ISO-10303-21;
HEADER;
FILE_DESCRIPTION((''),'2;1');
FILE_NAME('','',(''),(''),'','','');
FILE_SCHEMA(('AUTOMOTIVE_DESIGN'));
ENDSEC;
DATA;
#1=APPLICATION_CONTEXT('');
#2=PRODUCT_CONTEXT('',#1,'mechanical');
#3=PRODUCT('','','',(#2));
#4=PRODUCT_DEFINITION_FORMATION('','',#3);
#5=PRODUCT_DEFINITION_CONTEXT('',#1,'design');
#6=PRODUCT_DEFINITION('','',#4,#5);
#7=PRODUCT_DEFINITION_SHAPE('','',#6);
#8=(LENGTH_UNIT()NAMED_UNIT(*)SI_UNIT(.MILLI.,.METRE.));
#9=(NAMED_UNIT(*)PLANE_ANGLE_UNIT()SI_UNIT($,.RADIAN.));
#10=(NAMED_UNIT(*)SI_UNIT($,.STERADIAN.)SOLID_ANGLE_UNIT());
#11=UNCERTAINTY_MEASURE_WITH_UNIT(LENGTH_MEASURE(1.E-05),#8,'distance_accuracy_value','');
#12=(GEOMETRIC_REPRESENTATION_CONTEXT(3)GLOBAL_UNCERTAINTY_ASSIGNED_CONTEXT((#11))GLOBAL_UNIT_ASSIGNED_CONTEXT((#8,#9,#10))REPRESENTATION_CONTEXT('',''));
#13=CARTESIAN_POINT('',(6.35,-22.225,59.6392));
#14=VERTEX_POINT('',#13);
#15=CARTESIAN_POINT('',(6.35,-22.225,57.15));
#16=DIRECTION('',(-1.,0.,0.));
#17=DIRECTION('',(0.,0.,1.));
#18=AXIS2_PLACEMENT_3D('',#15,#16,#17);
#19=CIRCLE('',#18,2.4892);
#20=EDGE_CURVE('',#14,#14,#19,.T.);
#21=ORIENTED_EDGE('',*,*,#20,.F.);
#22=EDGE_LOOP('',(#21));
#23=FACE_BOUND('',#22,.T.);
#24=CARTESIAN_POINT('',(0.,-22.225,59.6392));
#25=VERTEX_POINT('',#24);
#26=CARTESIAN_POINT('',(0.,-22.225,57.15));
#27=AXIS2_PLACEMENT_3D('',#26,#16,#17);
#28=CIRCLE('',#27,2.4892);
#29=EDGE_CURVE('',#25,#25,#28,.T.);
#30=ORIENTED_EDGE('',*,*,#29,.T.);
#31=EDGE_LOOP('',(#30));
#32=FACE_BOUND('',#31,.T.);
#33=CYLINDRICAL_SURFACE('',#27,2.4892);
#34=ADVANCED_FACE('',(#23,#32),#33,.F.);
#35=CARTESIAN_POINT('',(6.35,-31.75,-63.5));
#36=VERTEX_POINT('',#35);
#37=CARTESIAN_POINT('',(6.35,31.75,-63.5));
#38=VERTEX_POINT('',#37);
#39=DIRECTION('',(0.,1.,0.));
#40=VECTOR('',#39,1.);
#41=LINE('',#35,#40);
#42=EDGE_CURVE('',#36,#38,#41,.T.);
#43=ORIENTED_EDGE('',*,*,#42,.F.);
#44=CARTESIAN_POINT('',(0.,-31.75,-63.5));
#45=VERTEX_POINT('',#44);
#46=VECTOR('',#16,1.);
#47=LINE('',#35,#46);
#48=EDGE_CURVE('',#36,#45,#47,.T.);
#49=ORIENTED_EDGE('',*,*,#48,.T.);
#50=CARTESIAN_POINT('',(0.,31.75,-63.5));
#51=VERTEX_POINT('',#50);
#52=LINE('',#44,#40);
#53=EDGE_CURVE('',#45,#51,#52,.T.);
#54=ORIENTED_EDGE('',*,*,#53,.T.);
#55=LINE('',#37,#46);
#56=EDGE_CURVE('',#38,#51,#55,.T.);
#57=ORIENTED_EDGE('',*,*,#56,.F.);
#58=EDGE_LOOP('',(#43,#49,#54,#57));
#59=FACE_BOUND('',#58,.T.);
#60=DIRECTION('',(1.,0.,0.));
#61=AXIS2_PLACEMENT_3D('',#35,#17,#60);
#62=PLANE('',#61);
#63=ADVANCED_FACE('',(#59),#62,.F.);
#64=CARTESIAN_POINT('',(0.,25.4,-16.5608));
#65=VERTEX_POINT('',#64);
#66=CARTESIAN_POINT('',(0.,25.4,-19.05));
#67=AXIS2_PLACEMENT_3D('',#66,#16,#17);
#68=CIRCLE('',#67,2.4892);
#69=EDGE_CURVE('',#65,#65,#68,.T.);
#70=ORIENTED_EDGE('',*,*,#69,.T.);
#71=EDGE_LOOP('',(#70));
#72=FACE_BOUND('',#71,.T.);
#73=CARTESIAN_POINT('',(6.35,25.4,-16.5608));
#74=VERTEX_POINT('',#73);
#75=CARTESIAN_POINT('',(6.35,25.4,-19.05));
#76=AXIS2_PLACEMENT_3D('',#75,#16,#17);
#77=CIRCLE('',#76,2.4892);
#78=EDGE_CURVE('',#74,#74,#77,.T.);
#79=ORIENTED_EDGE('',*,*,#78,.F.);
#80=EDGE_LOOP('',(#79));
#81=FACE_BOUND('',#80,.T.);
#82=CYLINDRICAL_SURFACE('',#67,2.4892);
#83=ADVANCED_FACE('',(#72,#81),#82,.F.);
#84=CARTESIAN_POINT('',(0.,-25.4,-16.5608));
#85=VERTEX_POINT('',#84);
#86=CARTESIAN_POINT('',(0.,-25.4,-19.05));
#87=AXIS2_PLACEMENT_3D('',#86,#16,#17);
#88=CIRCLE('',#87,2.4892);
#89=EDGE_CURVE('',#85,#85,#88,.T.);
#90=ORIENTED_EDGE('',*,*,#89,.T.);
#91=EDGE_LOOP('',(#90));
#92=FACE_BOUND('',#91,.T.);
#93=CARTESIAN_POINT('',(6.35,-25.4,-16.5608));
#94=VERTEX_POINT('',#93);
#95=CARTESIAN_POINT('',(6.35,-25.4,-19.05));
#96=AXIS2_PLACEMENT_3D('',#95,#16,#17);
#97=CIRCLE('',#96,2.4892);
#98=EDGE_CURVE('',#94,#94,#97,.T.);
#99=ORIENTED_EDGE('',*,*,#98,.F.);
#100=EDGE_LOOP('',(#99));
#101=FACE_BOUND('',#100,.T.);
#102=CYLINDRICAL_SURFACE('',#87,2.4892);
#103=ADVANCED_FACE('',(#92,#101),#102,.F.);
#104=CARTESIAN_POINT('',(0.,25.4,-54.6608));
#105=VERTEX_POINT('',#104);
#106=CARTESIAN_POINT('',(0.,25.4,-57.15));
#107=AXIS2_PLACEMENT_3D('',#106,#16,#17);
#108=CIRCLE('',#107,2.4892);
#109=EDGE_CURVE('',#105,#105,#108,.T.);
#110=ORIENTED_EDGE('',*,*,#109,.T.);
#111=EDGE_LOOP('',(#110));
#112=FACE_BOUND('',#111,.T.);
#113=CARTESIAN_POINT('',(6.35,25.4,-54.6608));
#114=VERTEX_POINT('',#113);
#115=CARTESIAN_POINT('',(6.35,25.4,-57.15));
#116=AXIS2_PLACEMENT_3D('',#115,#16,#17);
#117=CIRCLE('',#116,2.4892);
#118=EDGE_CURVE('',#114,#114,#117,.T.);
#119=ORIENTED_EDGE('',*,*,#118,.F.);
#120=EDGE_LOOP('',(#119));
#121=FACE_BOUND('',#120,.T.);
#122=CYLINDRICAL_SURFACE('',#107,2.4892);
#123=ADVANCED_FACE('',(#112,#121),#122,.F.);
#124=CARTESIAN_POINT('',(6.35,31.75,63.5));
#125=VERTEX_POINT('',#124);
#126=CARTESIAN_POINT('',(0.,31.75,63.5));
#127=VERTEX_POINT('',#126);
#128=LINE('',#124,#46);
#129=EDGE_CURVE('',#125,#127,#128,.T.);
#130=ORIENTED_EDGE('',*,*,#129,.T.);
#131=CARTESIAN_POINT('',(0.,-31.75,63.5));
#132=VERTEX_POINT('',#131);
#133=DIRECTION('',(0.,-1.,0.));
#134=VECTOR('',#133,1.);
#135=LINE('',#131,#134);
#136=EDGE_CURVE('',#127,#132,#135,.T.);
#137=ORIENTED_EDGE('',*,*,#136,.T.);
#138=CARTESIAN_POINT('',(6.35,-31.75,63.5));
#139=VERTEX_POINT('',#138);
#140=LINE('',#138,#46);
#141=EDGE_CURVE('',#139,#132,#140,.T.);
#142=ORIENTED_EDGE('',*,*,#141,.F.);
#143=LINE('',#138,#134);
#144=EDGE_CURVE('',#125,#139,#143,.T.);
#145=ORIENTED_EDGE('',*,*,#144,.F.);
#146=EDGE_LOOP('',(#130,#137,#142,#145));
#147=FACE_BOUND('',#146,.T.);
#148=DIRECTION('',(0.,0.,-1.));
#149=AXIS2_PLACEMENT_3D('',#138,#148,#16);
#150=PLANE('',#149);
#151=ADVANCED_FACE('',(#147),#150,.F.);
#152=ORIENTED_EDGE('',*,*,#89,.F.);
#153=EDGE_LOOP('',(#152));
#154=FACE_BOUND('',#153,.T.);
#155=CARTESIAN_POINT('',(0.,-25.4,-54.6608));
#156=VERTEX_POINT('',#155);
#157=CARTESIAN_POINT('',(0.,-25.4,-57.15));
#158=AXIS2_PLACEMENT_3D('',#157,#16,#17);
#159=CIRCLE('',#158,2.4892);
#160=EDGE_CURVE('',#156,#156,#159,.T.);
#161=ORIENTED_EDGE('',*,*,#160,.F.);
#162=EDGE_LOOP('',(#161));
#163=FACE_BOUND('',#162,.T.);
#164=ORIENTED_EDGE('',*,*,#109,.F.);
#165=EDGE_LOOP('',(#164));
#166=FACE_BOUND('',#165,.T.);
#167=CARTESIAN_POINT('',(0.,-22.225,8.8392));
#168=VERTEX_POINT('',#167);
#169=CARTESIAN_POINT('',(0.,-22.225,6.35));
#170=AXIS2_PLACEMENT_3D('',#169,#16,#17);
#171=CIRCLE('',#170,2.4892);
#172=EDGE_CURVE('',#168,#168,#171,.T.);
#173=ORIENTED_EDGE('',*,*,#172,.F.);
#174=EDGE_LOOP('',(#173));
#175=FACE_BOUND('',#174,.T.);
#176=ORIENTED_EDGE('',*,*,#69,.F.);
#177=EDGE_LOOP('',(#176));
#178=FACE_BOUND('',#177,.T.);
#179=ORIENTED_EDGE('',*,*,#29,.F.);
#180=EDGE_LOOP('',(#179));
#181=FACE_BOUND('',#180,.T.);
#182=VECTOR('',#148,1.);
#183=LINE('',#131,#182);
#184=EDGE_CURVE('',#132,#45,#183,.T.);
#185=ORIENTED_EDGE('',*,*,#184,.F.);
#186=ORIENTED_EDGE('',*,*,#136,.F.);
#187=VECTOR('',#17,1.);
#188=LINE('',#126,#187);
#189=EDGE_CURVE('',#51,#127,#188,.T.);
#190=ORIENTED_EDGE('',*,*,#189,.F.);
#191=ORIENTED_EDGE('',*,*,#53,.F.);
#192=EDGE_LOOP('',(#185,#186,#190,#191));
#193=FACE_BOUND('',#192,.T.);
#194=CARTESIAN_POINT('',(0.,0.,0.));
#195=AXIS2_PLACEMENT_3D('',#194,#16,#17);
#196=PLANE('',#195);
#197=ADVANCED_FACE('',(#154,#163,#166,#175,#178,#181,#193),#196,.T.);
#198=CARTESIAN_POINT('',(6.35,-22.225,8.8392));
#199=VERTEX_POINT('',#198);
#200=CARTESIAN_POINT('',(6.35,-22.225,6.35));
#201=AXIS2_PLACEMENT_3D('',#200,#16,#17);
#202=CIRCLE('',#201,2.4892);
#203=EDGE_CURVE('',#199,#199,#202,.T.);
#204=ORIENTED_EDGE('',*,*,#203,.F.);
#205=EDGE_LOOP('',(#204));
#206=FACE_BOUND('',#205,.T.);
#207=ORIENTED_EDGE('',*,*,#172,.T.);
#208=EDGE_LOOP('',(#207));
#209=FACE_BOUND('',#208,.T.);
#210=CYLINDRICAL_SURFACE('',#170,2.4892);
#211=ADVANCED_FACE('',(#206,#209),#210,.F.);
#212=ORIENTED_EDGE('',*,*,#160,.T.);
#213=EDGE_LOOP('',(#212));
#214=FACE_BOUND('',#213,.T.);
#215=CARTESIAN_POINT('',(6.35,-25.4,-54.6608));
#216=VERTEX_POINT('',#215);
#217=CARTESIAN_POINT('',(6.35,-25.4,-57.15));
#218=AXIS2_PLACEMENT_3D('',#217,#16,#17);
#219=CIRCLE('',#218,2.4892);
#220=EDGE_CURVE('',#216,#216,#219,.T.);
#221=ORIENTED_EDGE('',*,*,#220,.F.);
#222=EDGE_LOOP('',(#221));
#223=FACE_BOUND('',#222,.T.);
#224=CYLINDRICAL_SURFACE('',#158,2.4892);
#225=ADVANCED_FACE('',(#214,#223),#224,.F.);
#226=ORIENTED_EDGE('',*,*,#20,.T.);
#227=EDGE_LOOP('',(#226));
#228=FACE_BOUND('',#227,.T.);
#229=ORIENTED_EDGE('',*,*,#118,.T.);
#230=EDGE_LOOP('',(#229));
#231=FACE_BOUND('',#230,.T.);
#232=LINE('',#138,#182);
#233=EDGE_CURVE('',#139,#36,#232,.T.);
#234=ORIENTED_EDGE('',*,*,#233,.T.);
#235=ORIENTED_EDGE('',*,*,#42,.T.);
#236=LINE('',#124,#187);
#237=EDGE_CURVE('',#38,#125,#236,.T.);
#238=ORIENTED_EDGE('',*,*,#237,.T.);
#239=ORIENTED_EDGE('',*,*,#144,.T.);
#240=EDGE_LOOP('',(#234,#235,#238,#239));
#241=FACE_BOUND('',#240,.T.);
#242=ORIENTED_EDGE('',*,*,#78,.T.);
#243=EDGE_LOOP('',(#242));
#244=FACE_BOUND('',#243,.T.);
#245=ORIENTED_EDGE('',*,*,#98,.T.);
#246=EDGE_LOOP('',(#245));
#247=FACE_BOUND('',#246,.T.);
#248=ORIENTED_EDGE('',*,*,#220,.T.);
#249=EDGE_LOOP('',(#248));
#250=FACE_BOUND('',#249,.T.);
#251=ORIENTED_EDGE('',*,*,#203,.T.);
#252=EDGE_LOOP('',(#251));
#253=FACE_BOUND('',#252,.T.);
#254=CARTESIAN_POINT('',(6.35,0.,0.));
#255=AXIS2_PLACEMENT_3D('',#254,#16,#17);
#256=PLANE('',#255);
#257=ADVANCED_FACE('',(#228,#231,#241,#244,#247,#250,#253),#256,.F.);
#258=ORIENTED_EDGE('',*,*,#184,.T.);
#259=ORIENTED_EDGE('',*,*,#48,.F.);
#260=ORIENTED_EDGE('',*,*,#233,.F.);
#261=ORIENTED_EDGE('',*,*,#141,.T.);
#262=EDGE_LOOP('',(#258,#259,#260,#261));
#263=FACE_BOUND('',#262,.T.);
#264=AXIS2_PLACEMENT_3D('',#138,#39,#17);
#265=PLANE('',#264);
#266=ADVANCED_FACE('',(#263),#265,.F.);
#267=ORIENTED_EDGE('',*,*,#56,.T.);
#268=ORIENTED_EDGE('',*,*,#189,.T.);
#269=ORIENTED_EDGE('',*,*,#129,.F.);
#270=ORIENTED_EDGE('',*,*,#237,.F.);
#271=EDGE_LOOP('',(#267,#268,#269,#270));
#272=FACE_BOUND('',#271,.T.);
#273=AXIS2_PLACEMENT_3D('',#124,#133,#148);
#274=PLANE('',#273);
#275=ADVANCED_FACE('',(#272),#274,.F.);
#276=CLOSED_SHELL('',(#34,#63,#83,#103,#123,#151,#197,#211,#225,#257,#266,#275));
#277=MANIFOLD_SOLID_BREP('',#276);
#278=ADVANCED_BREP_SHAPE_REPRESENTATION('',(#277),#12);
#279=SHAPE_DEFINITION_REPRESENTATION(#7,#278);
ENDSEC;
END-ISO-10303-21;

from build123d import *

# Parameters (mm, degrees)
SKETCH1_W                      = 127
SKETCH1_H                      = 63.5
BOSS_EXTRUDE1_DEPTH            = 6.35
F_9_0_196_DIAMETER_HOLE1_D     = 4.9784
F_9_0_196_DIAMETER_HOLE1_DEPTH = 70.104
F_9_0_196_DIAMETER_HOLE1_TIP   = 1.495662253
F_9_0_196_DIAMETER_HOLE2_D     = 4.9784
F_9_0_196_DIAMETER_HOLE2_DEPTH = 70.104
F_9_0_196_DIAMETER_HOLE2_TIP   = 1.495662253


with BuildPart() as part:
    # Sketch1 → Boss-Extrude1 (new body)
    with BuildSketch(Plane(origin=(0, 0, 0), x_dir=(0, 0, -1), z_dir=(1, 0, 0))):
        Rectangle(SKETCH1_W, SKETCH1_H)
    extrude(amount=BOSS_EXTRUDE1_DEPTH)

    # #9 (0.196) Diameter Hole1
    with Locations(Plane.ZY):
        with Locations((57.15, -22.225), (6.35, -22.225)):
            Hole(F_9_0_196_DIAMETER_HOLE1_D / 2, depth=F_9_0_196_DIAMETER_HOLE1_DEPTH)
            with Locations((0, 0, -(F_9_0_196_DIAMETER_HOLE1_DEPTH + F_9_0_196_DIAMETER_HOLE1_TIP / 2))):  # 118° drill point
                Cone(0, F_9_0_196_DIAMETER_HOLE1_D / 2, F_9_0_196_DIAMETER_HOLE1_TIP, mode=Mode.SUBTRACT)

    # #9 (0.196) Diameter Hole2
    with Locations(Plane.ZY):
        with Locations((-57.15, -25.4), (-19.05, -25.4), (-19.05, 25.4), (-57.15, 25.4)):
            Hole(F_9_0_196_DIAMETER_HOLE2_D / 2, depth=F_9_0_196_DIAMETER_HOLE2_DEPTH)
            with Locations((0, 0, -(F_9_0_196_DIAMETER_HOLE2_DEPTH + F_9_0_196_DIAMETER_HOLE2_TIP / 2))):  # 118° drill point
                Cone(0, F_9_0_196_DIAMETER_HOLE2_D / 2, F_9_0_196_DIAMETER_HOLE2_TIP, mode=Mode.SUBTRACT)


solid = part.part
